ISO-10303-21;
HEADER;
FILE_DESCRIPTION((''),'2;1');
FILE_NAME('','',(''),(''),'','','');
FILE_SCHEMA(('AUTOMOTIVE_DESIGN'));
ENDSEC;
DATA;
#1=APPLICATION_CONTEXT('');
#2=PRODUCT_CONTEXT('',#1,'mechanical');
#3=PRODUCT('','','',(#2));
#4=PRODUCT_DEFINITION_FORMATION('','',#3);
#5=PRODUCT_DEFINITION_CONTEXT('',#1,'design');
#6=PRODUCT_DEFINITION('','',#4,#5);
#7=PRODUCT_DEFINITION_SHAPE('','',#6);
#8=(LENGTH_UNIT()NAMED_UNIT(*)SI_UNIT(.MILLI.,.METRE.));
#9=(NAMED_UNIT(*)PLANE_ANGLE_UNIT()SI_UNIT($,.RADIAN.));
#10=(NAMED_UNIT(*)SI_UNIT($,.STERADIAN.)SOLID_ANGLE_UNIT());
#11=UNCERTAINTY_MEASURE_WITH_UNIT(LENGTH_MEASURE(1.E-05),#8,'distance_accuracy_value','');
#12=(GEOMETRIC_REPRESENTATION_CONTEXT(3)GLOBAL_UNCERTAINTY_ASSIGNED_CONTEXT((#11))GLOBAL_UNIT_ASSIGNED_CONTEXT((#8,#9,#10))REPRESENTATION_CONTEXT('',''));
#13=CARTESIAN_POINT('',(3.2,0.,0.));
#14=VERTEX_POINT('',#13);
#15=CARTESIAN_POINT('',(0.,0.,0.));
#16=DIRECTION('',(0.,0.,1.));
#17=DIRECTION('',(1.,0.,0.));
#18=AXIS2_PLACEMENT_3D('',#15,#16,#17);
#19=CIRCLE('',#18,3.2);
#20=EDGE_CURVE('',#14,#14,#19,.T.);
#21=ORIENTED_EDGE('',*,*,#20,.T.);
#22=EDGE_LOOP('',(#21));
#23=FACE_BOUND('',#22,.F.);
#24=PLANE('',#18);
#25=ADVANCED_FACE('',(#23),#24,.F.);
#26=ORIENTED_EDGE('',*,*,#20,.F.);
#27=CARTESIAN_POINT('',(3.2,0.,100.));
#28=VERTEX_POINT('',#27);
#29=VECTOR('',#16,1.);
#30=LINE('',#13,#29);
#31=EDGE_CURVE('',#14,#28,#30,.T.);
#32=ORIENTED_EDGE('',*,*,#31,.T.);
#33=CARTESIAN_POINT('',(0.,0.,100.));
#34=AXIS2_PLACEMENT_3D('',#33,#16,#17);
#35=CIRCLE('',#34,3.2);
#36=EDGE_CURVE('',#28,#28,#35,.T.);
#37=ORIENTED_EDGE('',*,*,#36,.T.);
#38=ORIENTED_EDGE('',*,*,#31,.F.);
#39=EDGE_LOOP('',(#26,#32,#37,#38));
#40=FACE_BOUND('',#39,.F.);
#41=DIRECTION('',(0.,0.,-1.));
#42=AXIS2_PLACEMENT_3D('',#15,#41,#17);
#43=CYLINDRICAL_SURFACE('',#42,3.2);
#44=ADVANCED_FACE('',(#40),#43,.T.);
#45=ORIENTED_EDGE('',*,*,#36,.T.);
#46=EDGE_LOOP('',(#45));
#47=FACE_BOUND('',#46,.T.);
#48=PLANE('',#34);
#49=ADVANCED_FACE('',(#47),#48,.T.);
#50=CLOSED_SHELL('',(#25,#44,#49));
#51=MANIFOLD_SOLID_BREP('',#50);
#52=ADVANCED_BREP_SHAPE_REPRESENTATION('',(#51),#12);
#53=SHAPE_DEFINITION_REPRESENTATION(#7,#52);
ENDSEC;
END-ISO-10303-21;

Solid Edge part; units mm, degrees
sketch "Sketch1" plane through (0, 0, 0) normal (0, 0, 1) x (1, 0, 0)
  circle A0 centre (0, 0) radius 3.2
  dimension "D1" = 6.4
extrude "Protrusion1" add sketch "Sketch1" along normal blind 100
